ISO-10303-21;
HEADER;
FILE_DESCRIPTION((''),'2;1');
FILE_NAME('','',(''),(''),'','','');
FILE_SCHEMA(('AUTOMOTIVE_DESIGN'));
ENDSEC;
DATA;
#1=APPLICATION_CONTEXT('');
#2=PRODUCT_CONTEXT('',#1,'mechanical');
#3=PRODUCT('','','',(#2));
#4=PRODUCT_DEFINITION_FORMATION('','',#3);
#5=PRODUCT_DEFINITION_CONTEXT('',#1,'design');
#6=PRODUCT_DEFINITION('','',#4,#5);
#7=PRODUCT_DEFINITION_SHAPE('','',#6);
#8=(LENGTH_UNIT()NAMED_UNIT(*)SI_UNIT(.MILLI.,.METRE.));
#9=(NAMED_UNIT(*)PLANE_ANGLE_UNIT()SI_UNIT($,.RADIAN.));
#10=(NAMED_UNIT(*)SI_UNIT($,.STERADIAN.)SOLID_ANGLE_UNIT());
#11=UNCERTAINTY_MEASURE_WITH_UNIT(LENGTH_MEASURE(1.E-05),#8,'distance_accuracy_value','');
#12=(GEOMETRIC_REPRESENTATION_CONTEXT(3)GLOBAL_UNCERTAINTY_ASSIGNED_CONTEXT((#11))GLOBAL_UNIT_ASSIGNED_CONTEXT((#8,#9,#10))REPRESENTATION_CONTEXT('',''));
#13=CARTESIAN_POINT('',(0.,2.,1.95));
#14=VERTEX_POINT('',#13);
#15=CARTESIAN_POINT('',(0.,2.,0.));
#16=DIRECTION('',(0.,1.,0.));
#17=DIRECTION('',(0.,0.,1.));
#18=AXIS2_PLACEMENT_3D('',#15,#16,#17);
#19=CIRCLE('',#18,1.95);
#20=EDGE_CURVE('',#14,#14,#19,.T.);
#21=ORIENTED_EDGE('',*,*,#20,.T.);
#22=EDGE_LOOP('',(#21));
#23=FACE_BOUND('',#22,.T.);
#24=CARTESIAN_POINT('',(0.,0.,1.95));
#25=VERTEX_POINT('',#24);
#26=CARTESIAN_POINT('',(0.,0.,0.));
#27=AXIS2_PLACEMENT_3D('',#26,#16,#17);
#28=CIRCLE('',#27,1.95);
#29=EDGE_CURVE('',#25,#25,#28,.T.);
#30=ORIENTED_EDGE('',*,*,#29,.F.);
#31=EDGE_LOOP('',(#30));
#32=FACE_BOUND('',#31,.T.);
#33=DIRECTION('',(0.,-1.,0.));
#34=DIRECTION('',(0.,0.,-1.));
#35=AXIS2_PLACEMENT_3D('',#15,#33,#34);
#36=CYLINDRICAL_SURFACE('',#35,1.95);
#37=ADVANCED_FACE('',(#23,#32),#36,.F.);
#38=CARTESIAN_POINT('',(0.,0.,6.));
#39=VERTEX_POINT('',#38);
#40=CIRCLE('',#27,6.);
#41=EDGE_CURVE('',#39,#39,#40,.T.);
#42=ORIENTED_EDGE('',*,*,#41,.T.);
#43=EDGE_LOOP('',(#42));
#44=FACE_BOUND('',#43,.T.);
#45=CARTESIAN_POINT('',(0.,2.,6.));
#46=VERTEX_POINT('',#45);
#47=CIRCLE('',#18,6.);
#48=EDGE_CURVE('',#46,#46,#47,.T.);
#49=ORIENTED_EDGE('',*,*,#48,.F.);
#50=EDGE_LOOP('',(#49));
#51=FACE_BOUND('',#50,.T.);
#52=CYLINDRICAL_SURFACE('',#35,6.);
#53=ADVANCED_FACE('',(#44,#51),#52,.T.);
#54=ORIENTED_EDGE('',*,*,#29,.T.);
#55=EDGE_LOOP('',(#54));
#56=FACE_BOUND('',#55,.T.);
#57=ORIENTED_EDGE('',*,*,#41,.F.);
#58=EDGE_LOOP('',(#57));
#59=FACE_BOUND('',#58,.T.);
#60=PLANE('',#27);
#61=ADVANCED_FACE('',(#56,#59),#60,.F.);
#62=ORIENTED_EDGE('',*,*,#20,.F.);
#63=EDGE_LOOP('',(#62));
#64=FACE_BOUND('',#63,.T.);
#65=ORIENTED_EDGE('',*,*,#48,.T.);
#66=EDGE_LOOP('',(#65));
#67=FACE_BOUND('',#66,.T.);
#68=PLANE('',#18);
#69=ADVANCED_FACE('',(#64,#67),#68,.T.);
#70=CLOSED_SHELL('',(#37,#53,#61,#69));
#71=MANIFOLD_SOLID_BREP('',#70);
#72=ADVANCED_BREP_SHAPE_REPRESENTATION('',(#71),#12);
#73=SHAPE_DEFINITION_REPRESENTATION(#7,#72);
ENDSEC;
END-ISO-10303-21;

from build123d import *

# Parameters (mm, degrees)
ESBO_O1_R                = 6
ESBO_O1_R_2              = 1.95
RESSALTO_EXTRUS_O1_DEPTH = 2


with BuildPart() as part:
    # Esboço1 → Ressalto-extrusão1 (new body)
    with BuildSketch(Plane(origin=(0, 0, 0), x_dir=(1, 0, 0), z_dir=(0, 1, 0))):
        with Locations(Location((0, 0, 0), (0, 0, 270))):
            Circle(ESBO_O1_R)
        with Locations(Location((0, 0, 0), (0, 0, 270))):
            Circle(ESBO_O1_R_2, mode=Mode.SUBTRACT)
    extrude(amount=RESSALTO_EXTRUS_O1_DEPTH)


solid = part.part
